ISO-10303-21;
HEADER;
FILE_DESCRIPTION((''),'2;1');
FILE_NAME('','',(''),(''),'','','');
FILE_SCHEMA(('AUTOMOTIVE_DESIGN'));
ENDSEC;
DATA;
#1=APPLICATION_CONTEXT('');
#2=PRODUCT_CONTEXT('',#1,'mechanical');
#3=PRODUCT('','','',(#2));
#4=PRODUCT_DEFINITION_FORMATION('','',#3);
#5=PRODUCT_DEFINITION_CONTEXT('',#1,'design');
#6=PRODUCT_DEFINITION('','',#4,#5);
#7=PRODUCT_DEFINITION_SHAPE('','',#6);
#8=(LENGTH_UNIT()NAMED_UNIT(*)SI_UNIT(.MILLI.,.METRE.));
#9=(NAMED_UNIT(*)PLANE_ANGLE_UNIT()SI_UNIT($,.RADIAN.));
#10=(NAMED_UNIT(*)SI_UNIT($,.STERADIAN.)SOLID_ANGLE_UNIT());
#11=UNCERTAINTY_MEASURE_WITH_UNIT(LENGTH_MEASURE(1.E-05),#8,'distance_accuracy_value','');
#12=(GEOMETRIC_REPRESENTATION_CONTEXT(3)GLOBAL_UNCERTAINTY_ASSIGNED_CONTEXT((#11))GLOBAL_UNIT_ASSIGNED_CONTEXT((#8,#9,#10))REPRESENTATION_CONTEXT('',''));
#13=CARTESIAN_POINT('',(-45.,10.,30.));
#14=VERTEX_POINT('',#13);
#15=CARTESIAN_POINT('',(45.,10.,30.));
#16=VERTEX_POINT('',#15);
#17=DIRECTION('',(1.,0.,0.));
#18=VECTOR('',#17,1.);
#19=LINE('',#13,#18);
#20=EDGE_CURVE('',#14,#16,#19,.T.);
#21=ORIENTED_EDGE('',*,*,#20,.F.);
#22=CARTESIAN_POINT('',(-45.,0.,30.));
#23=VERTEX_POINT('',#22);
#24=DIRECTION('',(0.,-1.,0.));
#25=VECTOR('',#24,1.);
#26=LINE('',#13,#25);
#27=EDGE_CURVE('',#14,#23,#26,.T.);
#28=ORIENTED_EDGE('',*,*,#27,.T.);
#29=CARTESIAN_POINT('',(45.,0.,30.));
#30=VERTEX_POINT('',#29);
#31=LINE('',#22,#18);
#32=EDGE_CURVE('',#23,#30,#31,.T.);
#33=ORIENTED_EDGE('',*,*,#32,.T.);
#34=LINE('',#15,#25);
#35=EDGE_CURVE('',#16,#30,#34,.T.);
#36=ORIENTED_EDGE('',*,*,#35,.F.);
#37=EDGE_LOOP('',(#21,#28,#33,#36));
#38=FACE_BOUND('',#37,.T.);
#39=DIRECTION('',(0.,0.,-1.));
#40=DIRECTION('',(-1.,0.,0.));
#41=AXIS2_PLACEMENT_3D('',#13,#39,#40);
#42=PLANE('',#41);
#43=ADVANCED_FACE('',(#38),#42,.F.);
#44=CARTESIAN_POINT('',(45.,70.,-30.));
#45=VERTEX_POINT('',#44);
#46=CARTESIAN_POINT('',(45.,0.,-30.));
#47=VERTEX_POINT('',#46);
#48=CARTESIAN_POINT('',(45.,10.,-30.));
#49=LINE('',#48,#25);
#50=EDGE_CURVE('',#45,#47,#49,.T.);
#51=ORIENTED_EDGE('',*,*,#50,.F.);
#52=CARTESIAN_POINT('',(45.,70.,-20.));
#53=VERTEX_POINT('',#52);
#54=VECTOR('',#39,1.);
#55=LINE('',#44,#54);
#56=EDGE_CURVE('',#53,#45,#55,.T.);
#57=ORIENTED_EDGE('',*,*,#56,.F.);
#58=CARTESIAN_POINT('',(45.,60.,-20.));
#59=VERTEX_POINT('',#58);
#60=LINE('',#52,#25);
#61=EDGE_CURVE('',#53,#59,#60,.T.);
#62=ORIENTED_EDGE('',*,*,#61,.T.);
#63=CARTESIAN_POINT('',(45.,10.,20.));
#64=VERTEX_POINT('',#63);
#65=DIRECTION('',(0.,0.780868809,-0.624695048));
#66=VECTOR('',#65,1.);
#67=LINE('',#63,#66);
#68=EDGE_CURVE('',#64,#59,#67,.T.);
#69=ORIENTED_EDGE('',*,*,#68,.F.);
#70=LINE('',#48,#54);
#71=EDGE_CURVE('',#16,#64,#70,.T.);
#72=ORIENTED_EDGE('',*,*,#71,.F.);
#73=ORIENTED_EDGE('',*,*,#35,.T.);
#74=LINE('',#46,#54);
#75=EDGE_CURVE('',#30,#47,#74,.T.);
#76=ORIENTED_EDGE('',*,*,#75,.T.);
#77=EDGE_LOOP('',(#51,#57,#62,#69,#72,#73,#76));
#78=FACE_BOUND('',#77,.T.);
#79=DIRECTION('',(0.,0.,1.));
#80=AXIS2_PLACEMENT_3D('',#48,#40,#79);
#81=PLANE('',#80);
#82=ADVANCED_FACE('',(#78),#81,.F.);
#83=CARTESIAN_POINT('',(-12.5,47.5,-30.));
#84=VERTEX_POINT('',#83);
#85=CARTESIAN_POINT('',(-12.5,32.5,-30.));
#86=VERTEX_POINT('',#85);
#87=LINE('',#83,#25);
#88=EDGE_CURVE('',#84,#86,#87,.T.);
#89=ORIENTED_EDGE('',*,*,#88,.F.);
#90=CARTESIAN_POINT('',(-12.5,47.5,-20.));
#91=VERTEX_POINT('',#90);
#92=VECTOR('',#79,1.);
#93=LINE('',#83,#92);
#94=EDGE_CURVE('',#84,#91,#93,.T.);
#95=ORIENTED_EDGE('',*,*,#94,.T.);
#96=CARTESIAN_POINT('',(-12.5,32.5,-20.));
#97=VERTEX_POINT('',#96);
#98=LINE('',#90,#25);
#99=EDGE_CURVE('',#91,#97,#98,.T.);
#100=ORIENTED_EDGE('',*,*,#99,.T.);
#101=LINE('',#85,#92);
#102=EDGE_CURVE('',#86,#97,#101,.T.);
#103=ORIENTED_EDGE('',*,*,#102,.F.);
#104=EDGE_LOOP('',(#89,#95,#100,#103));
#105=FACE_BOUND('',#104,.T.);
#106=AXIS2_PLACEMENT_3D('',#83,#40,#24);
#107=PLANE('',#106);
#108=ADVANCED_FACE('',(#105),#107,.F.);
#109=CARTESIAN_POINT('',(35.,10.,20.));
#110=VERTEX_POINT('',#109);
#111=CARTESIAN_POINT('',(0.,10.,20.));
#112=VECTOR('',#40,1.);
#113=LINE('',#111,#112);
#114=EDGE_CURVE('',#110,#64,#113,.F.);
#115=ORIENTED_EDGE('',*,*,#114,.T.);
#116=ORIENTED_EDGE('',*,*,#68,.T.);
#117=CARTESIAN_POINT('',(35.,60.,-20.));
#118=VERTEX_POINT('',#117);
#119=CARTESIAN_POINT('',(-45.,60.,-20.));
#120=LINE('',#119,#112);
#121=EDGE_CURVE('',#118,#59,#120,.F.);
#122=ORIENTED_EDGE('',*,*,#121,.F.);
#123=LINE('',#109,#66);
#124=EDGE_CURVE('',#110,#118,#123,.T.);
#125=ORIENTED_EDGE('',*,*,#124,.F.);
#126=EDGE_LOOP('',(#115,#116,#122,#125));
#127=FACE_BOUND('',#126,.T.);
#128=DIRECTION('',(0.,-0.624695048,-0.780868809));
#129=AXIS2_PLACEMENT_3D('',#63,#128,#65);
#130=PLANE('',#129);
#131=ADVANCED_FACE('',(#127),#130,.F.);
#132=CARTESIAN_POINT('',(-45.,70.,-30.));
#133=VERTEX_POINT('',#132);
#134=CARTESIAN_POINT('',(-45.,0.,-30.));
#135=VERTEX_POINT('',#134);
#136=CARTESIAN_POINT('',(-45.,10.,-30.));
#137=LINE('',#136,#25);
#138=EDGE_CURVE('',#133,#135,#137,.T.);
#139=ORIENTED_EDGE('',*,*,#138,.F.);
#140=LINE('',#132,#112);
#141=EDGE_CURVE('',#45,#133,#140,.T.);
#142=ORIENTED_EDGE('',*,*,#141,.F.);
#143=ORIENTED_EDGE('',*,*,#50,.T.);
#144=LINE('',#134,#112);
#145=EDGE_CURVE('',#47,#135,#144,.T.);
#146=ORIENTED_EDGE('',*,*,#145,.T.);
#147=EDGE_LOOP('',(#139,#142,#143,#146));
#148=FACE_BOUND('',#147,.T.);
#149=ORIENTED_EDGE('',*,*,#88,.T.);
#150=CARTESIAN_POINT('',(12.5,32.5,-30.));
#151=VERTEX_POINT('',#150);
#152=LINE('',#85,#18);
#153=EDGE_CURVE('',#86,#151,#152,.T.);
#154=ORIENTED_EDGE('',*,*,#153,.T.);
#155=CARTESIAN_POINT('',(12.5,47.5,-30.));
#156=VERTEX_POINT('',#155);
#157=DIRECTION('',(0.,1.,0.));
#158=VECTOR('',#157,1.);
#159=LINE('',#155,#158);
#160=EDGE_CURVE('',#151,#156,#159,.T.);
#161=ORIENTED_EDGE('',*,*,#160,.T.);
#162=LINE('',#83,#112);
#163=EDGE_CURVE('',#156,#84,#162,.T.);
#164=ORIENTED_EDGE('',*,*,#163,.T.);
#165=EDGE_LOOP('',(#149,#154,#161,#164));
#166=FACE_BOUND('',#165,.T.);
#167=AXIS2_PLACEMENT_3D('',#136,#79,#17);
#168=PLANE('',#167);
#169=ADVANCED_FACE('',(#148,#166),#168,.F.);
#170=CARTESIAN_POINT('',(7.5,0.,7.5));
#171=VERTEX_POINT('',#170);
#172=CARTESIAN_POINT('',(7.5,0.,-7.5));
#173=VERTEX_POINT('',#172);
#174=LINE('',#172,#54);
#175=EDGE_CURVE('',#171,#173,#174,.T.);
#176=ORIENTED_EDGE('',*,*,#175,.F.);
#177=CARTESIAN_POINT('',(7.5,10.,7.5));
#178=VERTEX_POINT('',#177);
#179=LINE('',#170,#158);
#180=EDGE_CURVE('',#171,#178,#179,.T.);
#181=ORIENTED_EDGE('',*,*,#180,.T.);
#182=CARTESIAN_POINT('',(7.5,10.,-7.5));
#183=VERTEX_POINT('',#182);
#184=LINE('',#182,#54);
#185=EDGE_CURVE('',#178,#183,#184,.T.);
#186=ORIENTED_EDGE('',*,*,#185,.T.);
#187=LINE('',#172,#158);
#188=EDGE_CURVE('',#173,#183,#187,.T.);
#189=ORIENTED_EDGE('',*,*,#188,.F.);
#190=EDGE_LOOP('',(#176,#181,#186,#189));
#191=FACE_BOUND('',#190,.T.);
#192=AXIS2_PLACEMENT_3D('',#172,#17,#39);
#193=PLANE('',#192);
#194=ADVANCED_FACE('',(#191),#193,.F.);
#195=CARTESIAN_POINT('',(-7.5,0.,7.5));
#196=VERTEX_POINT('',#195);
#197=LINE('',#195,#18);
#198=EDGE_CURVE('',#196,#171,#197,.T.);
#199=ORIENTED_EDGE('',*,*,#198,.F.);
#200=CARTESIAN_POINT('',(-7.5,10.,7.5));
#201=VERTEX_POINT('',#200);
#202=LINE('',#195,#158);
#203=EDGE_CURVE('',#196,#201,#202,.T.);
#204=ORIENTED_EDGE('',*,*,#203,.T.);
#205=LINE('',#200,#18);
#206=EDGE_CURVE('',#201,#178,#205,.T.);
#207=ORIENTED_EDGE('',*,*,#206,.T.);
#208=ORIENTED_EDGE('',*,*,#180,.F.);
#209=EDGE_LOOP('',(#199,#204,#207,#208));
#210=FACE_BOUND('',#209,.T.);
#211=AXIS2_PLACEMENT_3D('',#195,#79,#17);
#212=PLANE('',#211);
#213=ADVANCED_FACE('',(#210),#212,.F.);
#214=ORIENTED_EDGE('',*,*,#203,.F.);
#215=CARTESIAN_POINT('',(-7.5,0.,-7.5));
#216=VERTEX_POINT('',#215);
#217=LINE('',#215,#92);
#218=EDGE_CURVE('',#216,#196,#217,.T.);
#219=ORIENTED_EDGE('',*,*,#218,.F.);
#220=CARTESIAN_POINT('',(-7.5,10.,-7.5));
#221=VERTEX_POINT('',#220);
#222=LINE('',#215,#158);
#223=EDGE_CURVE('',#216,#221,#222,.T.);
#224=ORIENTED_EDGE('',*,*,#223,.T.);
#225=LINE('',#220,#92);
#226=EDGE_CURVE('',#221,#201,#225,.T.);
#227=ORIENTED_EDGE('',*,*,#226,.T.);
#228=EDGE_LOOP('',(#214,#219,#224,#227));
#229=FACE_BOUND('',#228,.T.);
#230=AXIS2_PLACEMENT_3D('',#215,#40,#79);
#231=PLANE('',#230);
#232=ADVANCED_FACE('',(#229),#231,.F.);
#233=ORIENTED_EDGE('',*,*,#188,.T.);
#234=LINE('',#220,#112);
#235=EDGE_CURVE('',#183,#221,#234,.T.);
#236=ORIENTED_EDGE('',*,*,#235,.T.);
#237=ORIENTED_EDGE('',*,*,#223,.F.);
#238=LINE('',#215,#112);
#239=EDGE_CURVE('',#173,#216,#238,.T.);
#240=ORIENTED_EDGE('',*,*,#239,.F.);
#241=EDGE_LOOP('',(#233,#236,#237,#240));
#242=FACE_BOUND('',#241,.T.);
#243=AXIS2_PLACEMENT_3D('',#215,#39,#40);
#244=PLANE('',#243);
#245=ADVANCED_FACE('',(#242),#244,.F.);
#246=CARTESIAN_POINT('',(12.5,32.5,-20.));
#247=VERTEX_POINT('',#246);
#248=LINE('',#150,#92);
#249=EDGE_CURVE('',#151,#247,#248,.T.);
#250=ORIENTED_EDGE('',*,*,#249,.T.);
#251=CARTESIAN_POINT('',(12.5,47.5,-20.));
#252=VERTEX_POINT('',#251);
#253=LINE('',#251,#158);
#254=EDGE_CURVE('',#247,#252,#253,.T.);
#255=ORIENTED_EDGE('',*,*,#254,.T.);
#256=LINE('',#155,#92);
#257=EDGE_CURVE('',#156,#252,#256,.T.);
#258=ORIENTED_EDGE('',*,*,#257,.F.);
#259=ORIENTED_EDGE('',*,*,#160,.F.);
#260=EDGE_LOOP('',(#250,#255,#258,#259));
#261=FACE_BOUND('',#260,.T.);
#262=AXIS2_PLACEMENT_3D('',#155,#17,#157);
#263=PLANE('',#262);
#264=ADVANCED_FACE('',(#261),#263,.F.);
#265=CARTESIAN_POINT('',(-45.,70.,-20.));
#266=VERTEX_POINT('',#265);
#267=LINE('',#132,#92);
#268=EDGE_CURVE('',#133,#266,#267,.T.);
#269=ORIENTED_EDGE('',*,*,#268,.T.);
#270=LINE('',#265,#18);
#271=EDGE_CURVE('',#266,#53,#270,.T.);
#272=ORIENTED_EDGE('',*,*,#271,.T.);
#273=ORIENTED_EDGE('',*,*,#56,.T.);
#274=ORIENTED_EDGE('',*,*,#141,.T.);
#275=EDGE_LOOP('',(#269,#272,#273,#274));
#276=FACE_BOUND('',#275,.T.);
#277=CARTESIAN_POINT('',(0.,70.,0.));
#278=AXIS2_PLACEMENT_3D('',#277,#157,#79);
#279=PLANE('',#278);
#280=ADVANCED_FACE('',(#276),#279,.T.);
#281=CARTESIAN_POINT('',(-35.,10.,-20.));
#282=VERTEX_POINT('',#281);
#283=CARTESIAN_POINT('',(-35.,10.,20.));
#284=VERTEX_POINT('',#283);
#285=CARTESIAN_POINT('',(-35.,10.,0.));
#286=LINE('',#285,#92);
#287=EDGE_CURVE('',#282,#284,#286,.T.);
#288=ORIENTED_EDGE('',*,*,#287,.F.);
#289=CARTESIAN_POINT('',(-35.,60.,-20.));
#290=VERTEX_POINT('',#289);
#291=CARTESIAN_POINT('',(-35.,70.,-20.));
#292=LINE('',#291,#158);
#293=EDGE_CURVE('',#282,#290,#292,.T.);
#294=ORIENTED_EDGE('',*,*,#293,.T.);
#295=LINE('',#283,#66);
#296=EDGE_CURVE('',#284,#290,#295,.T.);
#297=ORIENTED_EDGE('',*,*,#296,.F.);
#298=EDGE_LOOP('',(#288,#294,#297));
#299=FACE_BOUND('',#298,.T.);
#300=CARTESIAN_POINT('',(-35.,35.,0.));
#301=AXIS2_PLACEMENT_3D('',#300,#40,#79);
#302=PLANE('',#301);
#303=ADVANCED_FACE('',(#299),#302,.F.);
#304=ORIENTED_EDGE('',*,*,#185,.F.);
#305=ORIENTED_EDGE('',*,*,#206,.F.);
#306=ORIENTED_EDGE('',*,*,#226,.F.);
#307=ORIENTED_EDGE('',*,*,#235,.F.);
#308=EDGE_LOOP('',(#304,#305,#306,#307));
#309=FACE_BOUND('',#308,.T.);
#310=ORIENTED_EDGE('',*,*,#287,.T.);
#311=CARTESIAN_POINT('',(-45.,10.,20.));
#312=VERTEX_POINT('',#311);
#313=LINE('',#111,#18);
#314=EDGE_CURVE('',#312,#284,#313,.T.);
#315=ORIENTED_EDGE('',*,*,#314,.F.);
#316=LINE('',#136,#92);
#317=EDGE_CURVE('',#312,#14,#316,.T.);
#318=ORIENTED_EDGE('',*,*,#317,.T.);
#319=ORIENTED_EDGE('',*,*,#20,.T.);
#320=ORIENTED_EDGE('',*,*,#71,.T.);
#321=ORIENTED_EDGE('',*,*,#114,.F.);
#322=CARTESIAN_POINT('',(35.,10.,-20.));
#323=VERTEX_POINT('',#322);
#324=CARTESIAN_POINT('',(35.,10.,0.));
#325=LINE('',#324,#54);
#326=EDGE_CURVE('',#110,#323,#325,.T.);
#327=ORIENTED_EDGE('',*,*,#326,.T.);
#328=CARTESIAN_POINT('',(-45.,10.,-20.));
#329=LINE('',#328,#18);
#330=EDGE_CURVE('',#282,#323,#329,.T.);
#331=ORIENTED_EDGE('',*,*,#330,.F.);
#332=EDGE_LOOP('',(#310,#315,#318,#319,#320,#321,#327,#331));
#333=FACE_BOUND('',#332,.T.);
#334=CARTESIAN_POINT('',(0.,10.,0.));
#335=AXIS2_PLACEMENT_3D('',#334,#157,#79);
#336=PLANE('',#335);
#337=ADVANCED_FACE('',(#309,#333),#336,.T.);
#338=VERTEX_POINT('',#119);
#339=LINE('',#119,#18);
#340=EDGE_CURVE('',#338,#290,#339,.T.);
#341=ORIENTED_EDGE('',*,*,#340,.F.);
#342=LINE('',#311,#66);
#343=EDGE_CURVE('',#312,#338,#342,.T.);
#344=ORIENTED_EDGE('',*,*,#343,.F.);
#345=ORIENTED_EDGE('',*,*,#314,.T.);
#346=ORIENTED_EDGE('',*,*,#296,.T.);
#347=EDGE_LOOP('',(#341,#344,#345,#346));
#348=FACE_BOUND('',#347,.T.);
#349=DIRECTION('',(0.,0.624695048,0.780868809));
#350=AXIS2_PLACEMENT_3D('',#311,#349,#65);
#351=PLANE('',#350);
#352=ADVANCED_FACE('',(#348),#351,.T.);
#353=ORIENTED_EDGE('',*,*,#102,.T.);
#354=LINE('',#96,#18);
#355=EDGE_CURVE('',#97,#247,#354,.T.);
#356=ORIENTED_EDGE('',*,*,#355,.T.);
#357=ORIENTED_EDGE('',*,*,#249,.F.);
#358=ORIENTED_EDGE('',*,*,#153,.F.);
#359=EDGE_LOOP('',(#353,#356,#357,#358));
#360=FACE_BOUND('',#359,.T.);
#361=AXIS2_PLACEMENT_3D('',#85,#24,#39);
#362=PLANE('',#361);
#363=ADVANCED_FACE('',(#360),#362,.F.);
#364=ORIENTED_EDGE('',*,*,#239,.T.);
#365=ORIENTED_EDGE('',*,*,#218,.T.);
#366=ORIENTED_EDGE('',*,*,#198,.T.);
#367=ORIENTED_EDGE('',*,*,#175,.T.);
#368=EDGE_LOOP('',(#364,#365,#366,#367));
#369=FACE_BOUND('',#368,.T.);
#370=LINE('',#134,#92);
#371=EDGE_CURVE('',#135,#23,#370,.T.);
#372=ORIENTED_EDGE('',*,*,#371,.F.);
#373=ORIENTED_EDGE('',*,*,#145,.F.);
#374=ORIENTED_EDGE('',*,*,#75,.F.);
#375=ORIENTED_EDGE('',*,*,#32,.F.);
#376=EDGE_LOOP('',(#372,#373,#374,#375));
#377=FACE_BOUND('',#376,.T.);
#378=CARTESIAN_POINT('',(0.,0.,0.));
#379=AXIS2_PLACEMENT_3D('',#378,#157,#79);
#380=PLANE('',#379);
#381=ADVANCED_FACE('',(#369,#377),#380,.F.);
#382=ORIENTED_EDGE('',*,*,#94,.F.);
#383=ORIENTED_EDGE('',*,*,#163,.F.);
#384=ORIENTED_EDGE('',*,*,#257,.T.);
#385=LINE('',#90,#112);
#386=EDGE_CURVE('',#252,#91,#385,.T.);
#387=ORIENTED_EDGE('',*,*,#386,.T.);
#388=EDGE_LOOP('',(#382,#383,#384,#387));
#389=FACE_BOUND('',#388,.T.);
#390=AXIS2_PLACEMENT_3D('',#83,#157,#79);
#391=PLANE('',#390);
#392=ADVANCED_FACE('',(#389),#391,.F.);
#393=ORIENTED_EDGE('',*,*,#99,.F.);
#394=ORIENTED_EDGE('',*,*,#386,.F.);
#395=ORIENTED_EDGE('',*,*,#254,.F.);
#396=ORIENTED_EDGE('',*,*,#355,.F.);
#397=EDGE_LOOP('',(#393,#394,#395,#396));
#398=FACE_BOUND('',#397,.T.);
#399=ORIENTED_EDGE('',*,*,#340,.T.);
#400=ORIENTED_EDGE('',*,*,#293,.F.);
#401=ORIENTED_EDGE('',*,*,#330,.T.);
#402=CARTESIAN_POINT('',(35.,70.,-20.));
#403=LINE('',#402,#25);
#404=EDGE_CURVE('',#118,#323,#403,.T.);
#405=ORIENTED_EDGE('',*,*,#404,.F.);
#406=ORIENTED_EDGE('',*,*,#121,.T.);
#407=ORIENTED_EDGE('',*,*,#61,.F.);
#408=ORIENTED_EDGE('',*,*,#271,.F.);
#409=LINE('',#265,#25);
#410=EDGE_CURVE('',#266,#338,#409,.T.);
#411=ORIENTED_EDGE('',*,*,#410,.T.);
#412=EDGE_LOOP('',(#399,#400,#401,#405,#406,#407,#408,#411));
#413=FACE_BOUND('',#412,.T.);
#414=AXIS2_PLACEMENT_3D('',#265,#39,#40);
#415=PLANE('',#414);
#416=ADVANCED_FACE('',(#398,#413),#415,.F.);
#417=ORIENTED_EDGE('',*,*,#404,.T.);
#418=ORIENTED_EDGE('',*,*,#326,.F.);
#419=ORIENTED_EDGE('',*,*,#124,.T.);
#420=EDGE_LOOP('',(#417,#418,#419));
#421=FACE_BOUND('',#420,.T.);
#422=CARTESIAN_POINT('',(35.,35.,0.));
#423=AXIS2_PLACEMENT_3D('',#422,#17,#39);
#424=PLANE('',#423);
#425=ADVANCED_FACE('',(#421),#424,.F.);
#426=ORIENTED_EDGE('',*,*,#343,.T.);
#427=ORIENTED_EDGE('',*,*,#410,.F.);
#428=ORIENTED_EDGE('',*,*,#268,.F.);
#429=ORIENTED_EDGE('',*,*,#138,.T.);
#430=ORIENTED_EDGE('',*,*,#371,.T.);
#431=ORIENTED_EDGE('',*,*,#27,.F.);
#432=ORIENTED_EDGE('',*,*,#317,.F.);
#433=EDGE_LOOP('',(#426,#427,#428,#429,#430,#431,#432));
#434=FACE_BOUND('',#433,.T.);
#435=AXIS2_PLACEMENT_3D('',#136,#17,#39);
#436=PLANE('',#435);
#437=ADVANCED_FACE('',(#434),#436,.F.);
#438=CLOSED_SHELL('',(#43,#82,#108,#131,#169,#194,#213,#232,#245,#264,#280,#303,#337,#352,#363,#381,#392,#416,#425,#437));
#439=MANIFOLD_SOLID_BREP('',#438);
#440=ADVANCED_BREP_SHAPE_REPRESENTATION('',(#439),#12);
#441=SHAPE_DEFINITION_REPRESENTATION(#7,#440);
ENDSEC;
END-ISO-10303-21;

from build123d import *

# Parameters (mm, degrees)
SKETCH1_W           = 90
SKETCH1_H           = 60
BOSS_EXTRUDE1_DEPTH = 10
SKETCH2_W           = 90
SKETCH2_H           = 10
BOSS_EXTRUDE2_DEPTH = 60
SKETCH3_W           = 25
SKETCH3_H           = 15
CUT_EXTRUDE1_DEPTH  = 10
SKETCH5_W           = 15
SKETCH5_H           = 15
CUT_EXTRUDE2_DEPTH  = 10
RIB1_REACH          = 119.898
SKETCH6_WALL_W      = 301.827764826
SKETCH6_WALL_H      = 10


with BuildPart() as part:
    # Sketch1 → Boss-Extrude1 (new body)
    with BuildSketch(Plane(origin=(0, 0, 0), x_dir=(1, 0, 0), z_dir=(0, 1, 0))):
        Rectangle(SKETCH1_W, SKETCH1_H)
    extrude(amount=BOSS_EXTRUDE1_DEPTH)

    # Sketch2 → Boss-Extrude2 (add)
    with BuildSketch(Plane(origin=(0, 10, 0), x_dir=(1, 0, 0), z_dir=(0, 1, 0))):
        with Locations((0, 25)):
            Rectangle(SKETCH2_W, SKETCH2_H)
    extrude(amount=BOSS_EXTRUDE2_DEPTH)

    # Sketch3 → Cut-Extrude1 (cut)
    with BuildSketch(Plane.XY.offset(-20)):
        with Locations((0, 40)):
            Rectangle(SKETCH3_W, SKETCH3_H)
    extrude(amount=-CUT_EXTRUDE1_DEPTH, mode=Mode.SUBTRACT)

    # Sketch5 → Cut-Extrude2 (cut)
    with BuildSketch(Plane(origin=(0, 10, 0), x_dir=(1, 0, 0), z_dir=(0, 1, 0))):
        Rectangle(SKETCH5_W, SKETCH5_H)
    extrude(amount=-CUT_EXTRUDE2_DEPTH, mode=Mode.SUBTRACT)

    # Sketch6 wall → Rib1 (add, up to next)
    with BuildSketch(Plane(origin=(-45, 35, 0), x_dir=(0, 0.780868809443, -0.624695047554), z_dir=(0, -0.624695047554, -0.780868809443)), mode=Mode.PRIVATE) as rib1_sk1:
        with Locations((0, 5)):
            Rectangle(SKETCH6_WALL_W, SKETCH6_WALL_H)
    rib1_tool1 = extrude(rib1_sk1.sketch, amount=RIB1_REACH, mode=Mode.PRIVATE) - part.part
    rib1 = rib1_tool1.solids().sort_by_distance((-45, 35, 0))[0]
    add(rib1)

    # Mirror1: Rib1 across plane
    add(rib1.mirror(Plane(origin=(0, 0, 0), x_dir=(0, 0, 1), z_dir=(1, 0, 0))))


solid = part.part
